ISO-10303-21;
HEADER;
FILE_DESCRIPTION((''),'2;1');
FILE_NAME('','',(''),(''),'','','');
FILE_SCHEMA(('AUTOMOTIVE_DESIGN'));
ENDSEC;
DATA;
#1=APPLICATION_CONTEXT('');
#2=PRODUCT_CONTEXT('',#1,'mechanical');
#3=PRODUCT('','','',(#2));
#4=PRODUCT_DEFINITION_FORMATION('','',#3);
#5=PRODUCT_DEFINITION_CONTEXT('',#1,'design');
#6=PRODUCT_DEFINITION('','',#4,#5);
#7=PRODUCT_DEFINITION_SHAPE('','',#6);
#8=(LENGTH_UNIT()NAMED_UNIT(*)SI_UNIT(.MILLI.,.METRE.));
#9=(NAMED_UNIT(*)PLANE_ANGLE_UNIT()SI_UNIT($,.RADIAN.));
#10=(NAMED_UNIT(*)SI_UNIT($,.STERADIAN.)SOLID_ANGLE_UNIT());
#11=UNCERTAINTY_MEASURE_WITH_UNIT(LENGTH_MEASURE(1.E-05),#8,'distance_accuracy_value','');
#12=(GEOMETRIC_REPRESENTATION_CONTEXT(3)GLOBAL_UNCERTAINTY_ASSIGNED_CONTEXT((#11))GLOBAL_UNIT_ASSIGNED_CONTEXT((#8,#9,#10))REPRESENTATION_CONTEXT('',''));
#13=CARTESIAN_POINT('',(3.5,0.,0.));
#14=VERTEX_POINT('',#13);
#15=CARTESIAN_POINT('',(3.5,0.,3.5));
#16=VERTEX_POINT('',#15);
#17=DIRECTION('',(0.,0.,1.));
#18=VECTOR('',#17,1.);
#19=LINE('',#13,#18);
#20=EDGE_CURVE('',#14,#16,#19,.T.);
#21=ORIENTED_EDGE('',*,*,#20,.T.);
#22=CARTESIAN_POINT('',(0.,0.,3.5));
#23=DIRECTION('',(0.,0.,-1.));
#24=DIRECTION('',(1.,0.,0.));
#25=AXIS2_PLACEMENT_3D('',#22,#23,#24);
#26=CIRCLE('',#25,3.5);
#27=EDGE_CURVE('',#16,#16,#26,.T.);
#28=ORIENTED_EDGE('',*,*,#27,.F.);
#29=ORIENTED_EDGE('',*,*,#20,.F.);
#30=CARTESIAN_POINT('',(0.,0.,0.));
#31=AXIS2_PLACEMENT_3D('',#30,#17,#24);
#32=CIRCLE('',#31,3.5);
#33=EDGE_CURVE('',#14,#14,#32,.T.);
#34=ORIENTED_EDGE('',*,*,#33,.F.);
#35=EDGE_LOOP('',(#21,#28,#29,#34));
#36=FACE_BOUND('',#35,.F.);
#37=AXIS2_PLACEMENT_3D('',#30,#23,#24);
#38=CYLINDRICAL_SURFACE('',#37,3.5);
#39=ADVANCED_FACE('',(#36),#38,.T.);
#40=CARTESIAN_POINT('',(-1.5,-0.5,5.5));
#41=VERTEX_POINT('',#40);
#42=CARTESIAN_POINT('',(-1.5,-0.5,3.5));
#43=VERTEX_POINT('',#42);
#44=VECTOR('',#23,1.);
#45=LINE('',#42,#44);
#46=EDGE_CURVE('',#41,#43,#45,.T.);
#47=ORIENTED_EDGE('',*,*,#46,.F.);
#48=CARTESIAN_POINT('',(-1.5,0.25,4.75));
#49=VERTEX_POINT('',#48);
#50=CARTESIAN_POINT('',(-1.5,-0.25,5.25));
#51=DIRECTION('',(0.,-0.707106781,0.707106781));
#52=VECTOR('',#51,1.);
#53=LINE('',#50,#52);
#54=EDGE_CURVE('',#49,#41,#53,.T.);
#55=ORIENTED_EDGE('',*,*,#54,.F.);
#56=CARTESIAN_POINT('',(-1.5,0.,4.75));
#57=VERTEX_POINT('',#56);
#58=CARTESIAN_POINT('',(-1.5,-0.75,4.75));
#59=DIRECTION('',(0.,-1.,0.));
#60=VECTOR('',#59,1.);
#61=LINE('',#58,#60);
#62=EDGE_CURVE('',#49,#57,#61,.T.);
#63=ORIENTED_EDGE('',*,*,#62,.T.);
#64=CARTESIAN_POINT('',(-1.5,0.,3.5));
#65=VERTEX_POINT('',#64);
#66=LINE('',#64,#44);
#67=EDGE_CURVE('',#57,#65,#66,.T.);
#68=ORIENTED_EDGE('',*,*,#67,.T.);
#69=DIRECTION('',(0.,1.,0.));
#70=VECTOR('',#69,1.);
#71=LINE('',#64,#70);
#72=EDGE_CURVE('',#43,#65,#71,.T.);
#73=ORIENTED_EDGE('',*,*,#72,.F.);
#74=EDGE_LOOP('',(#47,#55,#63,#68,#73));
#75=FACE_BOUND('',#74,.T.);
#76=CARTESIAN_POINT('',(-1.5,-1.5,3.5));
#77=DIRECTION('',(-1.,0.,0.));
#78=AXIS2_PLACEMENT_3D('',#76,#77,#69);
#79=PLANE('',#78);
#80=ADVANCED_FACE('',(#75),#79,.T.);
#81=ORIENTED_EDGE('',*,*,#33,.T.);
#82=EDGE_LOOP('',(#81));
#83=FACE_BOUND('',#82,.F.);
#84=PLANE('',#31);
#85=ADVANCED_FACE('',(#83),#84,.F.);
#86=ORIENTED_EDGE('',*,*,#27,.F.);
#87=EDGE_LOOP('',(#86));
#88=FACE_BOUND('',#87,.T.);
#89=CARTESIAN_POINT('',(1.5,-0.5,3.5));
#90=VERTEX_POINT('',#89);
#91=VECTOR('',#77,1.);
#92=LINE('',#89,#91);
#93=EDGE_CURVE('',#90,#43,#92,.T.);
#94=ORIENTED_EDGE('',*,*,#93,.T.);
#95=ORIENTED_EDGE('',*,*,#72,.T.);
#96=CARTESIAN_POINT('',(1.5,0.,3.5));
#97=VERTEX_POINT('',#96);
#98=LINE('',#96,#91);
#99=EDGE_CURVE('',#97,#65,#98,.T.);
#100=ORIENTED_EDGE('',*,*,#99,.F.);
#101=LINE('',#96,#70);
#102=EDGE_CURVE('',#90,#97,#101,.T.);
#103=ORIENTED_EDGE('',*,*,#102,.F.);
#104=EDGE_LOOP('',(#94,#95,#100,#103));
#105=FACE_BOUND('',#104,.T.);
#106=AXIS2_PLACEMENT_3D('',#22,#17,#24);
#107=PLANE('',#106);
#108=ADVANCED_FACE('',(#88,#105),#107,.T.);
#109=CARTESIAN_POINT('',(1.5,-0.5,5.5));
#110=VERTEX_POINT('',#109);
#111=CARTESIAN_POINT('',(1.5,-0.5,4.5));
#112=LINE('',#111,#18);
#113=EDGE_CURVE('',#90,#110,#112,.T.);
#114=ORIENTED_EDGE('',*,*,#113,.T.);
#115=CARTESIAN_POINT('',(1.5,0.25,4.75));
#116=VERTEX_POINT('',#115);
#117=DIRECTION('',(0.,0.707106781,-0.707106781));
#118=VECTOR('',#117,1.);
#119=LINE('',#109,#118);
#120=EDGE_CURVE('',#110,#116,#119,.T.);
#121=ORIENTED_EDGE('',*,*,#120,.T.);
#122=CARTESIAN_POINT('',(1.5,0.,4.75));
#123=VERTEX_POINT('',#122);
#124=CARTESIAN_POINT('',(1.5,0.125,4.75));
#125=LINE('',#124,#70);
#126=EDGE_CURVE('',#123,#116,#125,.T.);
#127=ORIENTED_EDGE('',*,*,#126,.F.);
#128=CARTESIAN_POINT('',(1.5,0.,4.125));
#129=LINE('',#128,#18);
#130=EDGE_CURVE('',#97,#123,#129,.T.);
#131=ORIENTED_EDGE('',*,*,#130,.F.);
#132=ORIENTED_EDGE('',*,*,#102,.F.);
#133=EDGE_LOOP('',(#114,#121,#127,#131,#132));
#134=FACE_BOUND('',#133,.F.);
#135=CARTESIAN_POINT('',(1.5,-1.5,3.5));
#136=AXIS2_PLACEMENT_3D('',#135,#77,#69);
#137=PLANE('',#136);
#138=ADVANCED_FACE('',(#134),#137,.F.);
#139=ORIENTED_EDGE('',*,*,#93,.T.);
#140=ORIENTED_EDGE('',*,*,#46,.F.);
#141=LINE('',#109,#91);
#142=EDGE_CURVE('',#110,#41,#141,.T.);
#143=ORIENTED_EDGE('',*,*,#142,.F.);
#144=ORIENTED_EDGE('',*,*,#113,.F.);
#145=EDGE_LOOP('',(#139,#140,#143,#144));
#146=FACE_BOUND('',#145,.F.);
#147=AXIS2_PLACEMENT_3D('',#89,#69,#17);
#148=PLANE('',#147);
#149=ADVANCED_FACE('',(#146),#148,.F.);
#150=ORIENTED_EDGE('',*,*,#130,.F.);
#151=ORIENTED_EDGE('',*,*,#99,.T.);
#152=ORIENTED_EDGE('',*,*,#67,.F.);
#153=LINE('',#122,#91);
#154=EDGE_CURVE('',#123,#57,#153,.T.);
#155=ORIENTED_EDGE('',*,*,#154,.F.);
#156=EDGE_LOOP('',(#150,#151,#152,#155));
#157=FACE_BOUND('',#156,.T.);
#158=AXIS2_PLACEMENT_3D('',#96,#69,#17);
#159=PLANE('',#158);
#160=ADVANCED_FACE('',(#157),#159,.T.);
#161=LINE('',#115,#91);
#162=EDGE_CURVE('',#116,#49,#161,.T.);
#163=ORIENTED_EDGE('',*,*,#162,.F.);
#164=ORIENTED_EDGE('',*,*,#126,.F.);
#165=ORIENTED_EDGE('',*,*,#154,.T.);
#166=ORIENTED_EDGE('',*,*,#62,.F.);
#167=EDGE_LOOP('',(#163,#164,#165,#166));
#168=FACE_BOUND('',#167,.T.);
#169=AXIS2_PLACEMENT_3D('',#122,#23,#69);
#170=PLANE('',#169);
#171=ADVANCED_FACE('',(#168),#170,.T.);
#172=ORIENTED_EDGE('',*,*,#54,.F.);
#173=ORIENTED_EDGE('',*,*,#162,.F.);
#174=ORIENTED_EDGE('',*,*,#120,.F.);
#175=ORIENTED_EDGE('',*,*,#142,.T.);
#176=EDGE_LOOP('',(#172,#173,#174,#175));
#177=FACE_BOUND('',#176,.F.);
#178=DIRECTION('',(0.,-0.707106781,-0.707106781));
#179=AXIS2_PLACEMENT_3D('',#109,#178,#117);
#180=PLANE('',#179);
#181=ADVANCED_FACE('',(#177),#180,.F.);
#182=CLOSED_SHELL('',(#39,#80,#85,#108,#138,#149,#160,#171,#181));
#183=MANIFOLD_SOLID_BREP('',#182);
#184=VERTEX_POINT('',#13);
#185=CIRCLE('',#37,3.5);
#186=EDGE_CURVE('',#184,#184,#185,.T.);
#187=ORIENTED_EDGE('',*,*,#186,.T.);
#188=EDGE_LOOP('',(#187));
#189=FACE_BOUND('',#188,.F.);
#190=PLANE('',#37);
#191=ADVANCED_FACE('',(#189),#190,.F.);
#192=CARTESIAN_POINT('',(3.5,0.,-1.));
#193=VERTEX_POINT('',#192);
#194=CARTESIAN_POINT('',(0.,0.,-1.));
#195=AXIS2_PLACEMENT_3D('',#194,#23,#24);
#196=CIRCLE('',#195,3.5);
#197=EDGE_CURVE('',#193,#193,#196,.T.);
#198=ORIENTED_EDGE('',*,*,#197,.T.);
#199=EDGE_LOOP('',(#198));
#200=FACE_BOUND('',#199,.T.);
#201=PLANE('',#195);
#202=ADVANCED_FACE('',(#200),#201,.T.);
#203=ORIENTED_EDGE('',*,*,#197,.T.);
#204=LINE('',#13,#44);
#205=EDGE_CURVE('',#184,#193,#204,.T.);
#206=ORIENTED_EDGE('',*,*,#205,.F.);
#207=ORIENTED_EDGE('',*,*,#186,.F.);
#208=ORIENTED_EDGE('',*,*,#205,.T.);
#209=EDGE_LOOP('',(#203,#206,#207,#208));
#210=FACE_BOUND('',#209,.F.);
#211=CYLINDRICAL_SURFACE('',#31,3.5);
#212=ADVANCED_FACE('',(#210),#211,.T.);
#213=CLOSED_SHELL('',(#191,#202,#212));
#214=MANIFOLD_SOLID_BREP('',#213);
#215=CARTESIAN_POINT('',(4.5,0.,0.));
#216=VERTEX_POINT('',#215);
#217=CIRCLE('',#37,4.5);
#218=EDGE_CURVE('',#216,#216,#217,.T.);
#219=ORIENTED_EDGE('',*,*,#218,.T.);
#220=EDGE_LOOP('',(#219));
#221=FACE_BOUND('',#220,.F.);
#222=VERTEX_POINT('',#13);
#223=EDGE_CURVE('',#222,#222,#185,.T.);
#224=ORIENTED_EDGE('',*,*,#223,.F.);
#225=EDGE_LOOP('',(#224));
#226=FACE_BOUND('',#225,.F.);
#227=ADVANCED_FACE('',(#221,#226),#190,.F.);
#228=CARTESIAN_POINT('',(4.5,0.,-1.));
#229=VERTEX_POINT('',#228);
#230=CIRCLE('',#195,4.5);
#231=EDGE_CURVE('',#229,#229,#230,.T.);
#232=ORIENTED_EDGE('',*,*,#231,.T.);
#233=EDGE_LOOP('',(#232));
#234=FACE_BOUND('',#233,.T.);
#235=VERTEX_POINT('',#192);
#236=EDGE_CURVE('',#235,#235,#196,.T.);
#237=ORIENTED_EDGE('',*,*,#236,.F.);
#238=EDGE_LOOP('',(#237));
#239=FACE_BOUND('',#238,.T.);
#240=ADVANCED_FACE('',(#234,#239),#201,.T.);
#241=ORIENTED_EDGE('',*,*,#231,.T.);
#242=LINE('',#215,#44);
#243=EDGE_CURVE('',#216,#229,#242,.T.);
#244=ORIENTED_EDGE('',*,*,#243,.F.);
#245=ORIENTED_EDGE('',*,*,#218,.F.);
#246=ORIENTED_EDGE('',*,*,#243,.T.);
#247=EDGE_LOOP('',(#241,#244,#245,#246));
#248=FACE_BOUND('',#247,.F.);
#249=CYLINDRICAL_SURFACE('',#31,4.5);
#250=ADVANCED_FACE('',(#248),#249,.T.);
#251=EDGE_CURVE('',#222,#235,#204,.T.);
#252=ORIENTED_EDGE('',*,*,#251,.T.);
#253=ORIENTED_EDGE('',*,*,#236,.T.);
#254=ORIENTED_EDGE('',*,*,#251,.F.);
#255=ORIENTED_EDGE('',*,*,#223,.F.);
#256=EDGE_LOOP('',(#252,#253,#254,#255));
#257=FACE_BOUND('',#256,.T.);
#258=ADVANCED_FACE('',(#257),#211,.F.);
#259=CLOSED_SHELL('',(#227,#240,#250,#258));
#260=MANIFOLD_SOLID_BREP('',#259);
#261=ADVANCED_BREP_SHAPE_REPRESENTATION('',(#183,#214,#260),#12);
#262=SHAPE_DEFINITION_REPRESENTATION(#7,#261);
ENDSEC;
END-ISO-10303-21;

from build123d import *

# Parameters (mm, degrees)
F0_R     = 3.5
F1_DEPTH = 3.5
F2_R     = 4.5
F2_R_2   = 3.5
F3_DEPTH = 1
F4_R     = 3.5
F5_DEPTH = 1
F6_W     = 3
F6_H     = 3
F7_DEPTH = 2
F8_W     = 0.25
F8_H     = 1.25
F8_W_2   = 1
F8_H_2   = 2
F9_DEPTH = 25.4


with BuildPart() as f1:
    # F0 (on Top) → F1 (new body)
    with BuildSketch(Plane.XY):
        Circle(F0_R)
    extrude(amount=F1_DEPTH)

    # F6 (on face) → F7 (join)
    with BuildSketch(Plane.XY.offset(3.5)):
        Rectangle(F6_W, F6_H)
    extrude(amount=F7_DEPTH)

    # F8 (on face) → F9 (cut)
    with BuildSketch(Plane.YZ.offset(1.5)):
        with Locations((0.125, 4.125)):
            Rectangle(F8_W, F8_H)
        Polygon((0.25, 5.5), (0, 5.5), (0, 5), (0.25, 4.75), align=None)
        Polygon((0, 5.5), (-0.5, 5.5), (0, 5), align=None)
        with Locations((-1, 4.5)):
            Rectangle(F8_W_2, F8_H_2)
        Polygon((0.25, 4.75), (0.25, 3.5), (1.5, 3.5), (1.5, 5.5), (0.25, 5.5), align=None)
    extrude(amount=-F9_DEPTH, mode=Mode.SUBTRACT)


with BuildPart() as f3:
    # F2 (on face) → F3 (new body)
    with BuildSketch(Plane(origin=(0, 0, 0), x_dir=(1, 0, 0), z_dir=(0, 0, -1))):
        Circle(F2_R)
        Circle(F2_R_2, mode=Mode.SUBTRACT)
    extrude(amount=F3_DEPTH)


with BuildPart() as f5:
    # F4 (on face) → F5 (new body)
    with BuildSketch(Plane(origin=(0, 0, 0), x_dir=(1, 0, 0), z_dir=(0, 0, -1))):
        Circle(F4_R)
    extrude(amount=F5_DEPTH)


solid = Compound([f1.part, f3.part, f5.part])
